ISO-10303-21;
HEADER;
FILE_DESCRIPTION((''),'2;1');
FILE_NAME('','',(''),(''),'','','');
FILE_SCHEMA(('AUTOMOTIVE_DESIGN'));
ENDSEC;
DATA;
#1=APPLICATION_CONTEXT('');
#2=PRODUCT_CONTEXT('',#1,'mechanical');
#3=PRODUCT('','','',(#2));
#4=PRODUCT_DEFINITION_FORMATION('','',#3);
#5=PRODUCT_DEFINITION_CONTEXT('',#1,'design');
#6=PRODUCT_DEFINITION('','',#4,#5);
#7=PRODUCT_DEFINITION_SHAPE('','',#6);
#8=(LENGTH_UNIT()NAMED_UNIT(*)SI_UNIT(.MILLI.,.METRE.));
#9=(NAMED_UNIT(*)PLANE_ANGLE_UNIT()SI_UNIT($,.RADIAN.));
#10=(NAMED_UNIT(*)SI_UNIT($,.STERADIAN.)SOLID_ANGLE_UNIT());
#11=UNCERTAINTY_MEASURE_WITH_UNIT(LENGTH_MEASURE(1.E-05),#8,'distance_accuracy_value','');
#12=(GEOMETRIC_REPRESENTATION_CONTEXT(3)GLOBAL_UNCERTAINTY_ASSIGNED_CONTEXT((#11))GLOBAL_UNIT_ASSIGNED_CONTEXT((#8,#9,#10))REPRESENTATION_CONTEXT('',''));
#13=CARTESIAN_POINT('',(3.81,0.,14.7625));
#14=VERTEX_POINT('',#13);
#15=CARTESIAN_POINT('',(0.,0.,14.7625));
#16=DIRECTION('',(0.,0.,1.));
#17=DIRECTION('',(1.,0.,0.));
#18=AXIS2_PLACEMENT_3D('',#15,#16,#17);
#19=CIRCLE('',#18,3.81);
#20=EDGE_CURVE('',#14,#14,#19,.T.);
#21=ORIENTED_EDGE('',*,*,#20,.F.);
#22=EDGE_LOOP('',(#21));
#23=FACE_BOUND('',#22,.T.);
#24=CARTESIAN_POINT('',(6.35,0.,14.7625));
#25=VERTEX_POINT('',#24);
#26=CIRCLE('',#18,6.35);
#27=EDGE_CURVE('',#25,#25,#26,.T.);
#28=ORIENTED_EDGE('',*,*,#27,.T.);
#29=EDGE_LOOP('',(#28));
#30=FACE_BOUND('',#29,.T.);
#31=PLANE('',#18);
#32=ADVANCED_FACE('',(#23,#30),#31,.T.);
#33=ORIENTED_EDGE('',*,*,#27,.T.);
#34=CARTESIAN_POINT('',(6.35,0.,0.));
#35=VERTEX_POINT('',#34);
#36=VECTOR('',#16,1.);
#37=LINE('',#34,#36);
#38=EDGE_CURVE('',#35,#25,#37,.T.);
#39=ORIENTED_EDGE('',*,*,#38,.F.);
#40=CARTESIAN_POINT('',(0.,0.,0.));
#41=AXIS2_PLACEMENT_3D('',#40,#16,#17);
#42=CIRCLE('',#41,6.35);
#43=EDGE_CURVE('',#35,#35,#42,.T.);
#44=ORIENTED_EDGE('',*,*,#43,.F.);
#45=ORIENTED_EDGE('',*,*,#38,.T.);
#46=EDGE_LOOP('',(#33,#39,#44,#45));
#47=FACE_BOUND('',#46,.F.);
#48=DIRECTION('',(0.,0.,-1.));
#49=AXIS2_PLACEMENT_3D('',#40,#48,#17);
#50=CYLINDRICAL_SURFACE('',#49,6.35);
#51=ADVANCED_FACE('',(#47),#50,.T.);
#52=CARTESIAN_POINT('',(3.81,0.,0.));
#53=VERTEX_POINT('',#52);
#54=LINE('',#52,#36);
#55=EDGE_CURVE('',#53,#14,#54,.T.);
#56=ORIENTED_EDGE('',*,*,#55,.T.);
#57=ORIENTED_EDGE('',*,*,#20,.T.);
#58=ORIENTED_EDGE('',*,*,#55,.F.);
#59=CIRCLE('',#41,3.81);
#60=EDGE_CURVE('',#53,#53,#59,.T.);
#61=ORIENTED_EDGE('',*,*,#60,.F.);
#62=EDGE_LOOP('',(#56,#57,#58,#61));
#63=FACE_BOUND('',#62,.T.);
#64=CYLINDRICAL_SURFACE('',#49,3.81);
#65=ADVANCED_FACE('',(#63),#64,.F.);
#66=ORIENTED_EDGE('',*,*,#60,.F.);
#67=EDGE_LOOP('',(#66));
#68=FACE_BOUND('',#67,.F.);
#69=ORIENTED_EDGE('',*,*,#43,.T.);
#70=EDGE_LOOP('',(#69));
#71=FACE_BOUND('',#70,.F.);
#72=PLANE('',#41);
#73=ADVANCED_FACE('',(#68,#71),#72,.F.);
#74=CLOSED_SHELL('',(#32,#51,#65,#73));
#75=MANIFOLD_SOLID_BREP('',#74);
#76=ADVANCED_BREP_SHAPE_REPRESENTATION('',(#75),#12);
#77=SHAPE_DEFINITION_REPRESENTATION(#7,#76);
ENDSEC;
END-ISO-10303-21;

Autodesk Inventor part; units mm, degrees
ref_plane "YZ Plane" through (0, 0, 0) normal (1, 0, 0) x (0, 1, 0)
ref_plane "XZ Plane" through (0, 0, 0) normal (0, 1, 0) x (-1, 0, 0)
ref_plane "XY Plane" through (0, 0, 0) normal (0, 0, 1) x (1, 0, 0)
sketch "Sketch1" plane through (0, 0, 0) normal (0, 0, 1) x (1, 0, 0)
  circle A0 centre (0, 0) radius 3.81
  circle A1 centre (0, 0) radius 6.35
  dimension "d0" = 7.62
  dimension "d1" = 12.7
extrude "Extrusion1" add sketch "Sketch1" along normal blind 14.7625
properties part number "3DPRINT,TURRET,FALCON,SPACER" material "ABS Plastic"
